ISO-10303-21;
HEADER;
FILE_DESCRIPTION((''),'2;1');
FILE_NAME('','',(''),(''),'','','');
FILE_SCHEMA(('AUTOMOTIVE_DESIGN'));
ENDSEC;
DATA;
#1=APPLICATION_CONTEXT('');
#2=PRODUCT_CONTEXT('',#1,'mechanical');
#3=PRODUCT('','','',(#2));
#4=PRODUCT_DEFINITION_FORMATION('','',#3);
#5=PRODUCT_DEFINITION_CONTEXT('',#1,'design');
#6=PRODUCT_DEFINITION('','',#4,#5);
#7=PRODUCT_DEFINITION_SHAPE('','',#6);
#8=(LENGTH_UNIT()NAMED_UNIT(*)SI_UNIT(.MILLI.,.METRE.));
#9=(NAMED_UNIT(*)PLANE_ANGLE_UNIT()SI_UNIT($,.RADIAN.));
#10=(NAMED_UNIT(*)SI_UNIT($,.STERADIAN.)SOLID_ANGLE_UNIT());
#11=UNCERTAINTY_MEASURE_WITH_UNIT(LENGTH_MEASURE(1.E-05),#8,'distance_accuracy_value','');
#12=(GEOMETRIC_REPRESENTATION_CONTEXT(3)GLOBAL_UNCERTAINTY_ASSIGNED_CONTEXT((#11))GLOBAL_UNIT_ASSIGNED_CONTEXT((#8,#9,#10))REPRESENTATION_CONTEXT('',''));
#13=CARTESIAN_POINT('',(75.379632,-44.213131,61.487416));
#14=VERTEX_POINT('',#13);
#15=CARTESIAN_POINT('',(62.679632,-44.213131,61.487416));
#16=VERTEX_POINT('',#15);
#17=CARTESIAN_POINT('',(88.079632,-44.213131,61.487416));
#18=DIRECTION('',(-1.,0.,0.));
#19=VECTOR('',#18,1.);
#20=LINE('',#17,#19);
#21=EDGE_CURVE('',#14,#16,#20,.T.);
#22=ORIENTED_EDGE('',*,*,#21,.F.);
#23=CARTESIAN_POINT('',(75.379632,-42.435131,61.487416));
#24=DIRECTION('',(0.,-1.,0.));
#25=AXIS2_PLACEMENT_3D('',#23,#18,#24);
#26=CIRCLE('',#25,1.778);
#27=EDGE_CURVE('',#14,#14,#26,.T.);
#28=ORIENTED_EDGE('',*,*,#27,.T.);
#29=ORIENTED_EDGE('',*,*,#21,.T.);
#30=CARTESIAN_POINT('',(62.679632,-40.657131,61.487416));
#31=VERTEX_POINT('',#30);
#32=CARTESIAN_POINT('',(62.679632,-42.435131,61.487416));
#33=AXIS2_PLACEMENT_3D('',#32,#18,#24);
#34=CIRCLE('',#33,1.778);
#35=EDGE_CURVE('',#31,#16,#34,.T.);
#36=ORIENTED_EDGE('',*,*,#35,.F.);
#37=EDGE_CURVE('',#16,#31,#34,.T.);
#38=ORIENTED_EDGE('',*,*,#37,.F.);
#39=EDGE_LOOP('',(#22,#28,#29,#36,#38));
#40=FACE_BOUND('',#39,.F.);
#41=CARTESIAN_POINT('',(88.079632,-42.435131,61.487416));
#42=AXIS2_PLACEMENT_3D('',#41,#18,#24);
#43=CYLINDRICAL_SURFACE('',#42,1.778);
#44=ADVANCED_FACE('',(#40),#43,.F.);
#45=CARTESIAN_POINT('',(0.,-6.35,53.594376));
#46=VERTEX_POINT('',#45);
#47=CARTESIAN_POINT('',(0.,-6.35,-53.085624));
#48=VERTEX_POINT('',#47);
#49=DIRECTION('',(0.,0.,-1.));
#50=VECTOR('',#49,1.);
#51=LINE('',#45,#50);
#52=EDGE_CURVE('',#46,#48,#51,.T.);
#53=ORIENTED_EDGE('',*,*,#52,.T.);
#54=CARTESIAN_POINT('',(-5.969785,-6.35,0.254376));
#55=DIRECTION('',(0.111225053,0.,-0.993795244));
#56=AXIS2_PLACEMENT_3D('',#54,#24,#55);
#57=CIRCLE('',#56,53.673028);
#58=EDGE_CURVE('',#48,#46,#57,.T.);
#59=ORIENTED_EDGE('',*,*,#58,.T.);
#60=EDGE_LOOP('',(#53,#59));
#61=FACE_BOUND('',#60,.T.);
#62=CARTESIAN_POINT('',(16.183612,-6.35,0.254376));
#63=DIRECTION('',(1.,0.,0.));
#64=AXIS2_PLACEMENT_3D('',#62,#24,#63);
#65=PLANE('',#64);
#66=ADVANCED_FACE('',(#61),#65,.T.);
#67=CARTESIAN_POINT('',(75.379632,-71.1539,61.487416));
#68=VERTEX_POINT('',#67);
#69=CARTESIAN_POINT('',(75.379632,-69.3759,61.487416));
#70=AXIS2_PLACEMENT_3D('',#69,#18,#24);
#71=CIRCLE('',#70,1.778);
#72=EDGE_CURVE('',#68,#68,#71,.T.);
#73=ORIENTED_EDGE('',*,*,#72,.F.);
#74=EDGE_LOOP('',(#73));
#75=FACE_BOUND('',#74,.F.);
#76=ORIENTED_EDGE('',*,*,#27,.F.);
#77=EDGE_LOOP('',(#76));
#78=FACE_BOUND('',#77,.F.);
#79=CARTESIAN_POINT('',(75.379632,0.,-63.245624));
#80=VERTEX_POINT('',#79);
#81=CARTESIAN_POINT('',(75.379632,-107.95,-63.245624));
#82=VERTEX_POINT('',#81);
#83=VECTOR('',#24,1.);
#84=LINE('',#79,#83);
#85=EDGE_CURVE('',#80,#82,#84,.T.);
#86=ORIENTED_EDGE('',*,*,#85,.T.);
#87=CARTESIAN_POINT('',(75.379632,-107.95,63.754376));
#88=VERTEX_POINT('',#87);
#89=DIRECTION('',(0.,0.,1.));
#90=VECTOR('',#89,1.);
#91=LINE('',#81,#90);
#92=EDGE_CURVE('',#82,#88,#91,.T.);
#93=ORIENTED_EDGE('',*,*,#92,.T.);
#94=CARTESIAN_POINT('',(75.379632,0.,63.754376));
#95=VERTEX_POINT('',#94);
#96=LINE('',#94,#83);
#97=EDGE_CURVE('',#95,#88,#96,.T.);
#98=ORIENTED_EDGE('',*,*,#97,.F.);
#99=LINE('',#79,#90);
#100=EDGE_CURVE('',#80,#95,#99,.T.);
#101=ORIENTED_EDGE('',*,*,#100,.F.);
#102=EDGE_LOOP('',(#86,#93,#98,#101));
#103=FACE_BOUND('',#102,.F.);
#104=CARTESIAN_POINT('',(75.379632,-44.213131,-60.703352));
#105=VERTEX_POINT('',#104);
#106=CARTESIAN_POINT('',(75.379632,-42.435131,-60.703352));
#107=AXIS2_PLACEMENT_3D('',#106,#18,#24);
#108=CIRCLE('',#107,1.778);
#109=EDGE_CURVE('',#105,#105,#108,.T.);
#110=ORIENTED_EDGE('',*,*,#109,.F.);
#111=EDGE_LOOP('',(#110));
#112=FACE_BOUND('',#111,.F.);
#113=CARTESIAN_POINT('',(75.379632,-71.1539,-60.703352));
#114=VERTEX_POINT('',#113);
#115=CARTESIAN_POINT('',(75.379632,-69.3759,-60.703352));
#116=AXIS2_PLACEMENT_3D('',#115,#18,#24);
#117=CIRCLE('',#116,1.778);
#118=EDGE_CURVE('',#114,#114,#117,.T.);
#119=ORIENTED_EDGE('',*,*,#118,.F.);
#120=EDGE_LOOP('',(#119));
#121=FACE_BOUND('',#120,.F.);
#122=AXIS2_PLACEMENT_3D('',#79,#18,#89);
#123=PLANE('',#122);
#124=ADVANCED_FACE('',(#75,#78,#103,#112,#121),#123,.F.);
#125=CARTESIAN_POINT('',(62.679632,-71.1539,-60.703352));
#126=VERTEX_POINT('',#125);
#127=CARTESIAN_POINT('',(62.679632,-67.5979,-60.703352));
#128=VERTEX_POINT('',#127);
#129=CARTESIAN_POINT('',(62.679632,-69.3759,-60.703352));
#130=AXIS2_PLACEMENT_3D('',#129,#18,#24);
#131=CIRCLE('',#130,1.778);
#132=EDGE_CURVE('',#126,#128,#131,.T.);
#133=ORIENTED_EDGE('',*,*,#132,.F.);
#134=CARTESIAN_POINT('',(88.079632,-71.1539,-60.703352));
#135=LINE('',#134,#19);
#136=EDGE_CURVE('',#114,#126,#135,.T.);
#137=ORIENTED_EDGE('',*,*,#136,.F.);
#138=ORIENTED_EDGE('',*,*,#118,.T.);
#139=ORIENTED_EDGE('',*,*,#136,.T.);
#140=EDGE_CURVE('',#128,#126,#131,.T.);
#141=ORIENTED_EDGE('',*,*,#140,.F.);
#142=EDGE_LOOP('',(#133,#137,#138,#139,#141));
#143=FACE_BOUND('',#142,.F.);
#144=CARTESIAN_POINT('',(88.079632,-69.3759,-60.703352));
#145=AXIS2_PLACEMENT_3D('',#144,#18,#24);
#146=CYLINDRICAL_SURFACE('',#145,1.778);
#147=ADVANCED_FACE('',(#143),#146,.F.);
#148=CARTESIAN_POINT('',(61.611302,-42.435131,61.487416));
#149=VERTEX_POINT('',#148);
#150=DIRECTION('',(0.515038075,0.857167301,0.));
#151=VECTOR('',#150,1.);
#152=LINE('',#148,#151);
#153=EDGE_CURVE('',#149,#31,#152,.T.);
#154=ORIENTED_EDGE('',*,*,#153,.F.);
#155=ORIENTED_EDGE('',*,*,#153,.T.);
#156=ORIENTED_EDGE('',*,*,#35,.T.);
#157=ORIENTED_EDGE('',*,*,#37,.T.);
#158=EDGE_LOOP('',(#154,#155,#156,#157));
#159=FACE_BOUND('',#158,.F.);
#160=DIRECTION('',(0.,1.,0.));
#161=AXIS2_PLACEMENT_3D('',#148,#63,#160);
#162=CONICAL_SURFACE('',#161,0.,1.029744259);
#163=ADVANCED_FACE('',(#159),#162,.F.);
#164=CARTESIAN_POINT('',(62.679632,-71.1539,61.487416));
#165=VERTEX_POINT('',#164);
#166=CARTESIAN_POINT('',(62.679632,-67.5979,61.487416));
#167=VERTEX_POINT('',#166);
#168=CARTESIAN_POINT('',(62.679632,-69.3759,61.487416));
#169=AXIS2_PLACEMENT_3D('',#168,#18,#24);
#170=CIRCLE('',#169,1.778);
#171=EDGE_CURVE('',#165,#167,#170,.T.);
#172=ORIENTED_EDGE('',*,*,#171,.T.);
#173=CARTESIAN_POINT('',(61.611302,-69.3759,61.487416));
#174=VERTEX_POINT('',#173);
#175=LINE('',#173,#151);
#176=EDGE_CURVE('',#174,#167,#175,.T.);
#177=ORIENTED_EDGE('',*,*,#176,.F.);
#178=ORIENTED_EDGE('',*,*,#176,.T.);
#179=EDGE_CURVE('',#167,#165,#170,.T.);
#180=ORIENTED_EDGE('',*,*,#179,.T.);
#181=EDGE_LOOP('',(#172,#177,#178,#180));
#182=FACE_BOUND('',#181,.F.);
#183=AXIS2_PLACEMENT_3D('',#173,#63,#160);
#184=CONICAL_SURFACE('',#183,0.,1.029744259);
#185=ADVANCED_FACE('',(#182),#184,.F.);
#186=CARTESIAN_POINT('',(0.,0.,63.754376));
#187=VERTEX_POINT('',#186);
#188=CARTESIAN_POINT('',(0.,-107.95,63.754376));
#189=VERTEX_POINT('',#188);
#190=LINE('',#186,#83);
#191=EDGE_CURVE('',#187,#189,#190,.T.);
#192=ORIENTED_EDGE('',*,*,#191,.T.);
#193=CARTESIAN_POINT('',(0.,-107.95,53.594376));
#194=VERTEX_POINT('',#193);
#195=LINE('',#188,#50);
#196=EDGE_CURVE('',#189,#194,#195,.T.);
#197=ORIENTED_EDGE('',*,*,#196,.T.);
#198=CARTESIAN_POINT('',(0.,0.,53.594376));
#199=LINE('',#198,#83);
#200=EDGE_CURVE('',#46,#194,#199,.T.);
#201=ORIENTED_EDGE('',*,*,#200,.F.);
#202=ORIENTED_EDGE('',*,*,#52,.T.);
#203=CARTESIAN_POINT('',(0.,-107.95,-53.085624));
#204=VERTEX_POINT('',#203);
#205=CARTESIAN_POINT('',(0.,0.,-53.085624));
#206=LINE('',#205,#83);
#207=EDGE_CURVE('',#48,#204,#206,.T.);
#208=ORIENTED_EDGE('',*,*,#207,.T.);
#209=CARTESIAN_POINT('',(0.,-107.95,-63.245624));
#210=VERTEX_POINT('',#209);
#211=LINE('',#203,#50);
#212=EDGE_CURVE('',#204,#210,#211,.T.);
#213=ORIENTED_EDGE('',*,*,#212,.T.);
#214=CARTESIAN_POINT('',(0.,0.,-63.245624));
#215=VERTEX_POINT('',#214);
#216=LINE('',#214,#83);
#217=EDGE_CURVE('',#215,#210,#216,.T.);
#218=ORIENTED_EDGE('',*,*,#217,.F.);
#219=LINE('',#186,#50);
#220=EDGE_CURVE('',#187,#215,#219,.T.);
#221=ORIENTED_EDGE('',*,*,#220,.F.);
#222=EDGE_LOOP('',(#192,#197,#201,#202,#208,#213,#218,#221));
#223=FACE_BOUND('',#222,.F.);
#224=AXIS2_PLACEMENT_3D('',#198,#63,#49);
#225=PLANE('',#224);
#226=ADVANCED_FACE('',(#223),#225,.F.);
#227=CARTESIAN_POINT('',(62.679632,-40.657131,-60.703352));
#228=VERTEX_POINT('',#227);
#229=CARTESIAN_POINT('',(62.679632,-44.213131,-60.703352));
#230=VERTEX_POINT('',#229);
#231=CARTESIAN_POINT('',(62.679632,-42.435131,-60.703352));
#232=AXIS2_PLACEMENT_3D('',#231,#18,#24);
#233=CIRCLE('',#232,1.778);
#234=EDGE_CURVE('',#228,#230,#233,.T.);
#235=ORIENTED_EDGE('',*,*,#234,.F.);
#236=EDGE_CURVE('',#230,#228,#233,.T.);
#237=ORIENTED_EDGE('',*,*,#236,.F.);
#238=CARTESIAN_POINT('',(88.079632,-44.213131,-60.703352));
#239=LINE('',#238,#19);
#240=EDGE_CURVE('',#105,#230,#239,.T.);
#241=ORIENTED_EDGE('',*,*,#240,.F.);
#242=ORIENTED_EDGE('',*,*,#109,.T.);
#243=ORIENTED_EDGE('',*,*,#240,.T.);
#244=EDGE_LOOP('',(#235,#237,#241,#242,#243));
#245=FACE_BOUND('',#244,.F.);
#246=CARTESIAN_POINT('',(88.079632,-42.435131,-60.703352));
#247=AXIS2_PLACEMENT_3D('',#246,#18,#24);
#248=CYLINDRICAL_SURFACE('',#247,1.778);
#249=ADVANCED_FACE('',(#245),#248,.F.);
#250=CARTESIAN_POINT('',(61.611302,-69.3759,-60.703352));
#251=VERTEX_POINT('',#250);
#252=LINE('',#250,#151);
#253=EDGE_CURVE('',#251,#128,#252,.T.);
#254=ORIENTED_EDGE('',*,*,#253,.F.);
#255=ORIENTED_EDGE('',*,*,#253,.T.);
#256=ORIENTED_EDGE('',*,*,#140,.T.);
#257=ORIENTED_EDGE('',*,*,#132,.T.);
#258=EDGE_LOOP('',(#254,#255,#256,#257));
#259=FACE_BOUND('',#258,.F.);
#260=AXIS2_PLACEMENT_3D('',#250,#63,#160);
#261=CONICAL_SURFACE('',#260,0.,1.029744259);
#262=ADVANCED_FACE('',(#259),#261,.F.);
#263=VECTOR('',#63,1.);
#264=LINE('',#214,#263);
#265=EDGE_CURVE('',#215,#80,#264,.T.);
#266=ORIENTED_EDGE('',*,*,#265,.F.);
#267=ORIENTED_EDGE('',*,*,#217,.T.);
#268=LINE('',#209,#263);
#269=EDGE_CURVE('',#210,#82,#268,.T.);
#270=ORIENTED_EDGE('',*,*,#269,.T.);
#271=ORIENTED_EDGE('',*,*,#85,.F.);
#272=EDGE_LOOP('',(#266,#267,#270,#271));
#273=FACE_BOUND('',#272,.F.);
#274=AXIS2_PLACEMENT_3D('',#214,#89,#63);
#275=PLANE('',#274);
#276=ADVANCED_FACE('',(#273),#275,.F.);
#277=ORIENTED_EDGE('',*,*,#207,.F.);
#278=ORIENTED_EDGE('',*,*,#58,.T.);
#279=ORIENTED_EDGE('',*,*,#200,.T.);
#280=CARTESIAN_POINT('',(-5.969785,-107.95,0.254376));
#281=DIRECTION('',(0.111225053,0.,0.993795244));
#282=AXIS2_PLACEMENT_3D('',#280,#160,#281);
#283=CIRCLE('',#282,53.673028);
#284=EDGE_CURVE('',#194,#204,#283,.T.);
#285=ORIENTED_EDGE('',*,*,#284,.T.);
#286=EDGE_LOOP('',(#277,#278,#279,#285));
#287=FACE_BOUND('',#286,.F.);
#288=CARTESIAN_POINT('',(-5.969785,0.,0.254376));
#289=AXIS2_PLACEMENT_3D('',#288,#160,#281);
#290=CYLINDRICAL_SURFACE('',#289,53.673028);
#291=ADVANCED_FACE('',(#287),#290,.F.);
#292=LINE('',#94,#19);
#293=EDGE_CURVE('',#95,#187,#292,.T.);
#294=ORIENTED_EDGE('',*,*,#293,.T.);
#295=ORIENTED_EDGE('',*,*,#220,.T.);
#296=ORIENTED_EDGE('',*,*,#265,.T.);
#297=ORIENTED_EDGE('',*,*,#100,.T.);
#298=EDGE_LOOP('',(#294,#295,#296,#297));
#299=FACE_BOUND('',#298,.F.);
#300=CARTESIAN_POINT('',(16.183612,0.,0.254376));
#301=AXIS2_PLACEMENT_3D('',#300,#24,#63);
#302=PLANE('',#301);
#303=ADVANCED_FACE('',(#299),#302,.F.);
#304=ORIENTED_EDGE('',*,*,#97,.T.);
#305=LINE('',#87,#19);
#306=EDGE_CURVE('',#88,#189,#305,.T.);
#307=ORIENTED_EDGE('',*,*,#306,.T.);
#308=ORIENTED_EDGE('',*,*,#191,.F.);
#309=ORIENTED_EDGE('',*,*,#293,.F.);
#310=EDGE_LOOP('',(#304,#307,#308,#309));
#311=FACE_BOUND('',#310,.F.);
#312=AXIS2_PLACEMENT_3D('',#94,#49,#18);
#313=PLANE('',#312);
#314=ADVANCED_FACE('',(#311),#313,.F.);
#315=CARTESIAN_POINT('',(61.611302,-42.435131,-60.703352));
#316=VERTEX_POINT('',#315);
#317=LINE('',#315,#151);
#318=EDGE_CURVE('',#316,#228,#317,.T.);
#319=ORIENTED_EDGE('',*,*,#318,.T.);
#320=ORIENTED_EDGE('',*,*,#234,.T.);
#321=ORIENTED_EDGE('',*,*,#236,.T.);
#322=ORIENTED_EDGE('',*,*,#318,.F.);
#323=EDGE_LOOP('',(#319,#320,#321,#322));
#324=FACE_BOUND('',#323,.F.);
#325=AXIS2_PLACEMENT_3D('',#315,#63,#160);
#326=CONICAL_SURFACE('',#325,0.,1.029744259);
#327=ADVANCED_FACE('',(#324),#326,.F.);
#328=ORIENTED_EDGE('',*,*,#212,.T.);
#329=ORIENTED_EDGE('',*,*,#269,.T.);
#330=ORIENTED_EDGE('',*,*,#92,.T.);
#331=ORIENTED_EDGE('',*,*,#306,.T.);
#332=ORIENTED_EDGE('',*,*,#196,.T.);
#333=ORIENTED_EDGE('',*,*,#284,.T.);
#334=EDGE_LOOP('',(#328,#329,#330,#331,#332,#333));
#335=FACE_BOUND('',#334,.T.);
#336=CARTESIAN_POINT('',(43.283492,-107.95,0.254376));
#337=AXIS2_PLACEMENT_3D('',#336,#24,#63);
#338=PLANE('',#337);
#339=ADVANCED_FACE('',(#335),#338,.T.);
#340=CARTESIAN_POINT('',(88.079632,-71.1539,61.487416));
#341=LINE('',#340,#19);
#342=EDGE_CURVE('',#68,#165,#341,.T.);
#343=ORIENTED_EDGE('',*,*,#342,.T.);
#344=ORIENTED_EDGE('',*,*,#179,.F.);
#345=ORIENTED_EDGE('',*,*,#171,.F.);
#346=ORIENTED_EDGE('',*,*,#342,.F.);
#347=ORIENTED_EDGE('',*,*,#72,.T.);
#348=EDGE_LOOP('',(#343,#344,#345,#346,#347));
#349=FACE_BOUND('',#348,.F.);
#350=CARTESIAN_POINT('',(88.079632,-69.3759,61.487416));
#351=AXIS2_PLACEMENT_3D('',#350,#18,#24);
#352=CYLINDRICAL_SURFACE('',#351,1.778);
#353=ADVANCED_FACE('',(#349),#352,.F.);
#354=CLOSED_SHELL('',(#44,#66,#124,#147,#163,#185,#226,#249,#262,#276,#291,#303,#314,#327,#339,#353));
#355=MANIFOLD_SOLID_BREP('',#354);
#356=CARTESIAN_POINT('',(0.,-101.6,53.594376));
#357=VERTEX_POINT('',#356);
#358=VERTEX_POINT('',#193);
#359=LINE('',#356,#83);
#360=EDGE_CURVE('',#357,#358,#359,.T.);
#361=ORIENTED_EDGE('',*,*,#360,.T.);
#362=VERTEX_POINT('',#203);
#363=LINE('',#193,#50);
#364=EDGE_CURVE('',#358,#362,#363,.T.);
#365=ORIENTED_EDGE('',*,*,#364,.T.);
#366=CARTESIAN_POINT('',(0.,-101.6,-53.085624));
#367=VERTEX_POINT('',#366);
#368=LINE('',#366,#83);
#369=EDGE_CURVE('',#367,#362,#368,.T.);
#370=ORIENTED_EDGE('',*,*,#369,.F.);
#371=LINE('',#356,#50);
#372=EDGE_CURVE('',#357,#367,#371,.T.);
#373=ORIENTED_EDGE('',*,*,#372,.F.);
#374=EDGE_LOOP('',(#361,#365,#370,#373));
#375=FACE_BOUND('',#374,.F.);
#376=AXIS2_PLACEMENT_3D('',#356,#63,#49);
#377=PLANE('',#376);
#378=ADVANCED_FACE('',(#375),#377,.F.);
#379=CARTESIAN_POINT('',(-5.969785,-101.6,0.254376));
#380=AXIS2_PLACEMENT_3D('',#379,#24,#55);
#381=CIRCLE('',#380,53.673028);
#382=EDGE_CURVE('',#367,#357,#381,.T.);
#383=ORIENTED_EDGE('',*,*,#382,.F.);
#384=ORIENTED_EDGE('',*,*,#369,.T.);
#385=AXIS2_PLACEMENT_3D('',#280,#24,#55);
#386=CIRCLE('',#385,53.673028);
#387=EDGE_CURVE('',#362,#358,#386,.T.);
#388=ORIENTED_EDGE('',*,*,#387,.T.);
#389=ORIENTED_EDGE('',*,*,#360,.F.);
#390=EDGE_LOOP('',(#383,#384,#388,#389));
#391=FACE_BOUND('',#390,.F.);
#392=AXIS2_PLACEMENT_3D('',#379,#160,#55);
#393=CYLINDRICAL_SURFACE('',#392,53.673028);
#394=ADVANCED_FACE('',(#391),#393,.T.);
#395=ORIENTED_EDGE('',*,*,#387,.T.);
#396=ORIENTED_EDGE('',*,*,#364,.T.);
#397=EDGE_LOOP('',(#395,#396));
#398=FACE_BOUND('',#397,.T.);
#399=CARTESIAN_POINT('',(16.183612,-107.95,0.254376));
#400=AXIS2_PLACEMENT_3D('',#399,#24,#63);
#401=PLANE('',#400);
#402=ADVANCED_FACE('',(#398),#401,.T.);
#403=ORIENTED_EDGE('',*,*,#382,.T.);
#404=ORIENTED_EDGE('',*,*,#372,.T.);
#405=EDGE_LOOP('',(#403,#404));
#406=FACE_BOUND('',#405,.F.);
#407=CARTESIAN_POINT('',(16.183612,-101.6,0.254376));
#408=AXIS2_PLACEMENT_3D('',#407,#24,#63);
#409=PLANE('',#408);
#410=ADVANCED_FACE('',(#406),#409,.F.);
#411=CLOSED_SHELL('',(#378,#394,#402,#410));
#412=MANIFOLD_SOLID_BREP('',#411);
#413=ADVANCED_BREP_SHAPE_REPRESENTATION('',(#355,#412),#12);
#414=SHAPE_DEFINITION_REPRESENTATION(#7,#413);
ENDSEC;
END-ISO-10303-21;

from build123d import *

# Parameters (mm, degrees)
F1_DEPTH = 107.95
F2_DEPTH = 6.35
F3_START = 101.6
F3_DEPTH = 6.35
F5_D     = 3.556
F5_DEPTH = 12.7
F5_TIP   = 1.0683301806


with BuildPart() as f1:
    # F0 (on Front) → F1 (new body)
    with BuildSketch(Plane.XZ):
        with BuildLine():
            ThreePointArc((0, 53.5943763483), (47.7032426175, 0.2543763483), (0, -53.0856236517))
            Line((0, -53.0856236517), (0, -63.2456236517))
            Line((0, -63.2456236517), (75.3796324134, -63.2456236517))
            Line((75.3796324134, -63.2456236517), (75.3796324134, 63.7543763483))
            Line((75.3796324134, 63.7543763483), (0, 63.7543763483))
            Line((0, 63.7543763483), (0, 53.5943763483))
        make_face()
    extrude(amount=F1_DEPTH)

    # F0 (on Front) → F2 (join)
    with BuildSketch(Plane.XZ):
        with BuildLine():
            Line((0, 53.5943763483), (0, -53.0856236517))
            ThreePointArc((0, -53.0856236517), (47.7032426175, 0.2543763483), (0, 53.5943763483))
        make_face()
    extrude(amount=F2_DEPTH)

    # F5
    with Locations(Plane.YZ.offset(75.3796324134)):
        with Locations((-69.3758997451, 61.4874158989), (-42.4351313819, 61.4874158989), (-69.3758997451, -60.7033524643), (-42.4351313819, -60.7033524643)):
            Hole(F5_D / 2, depth=F5_DEPTH)
            with Locations((0, 0, -(F5_DEPTH + F5_TIP / 2))):  # 118° drill point
                Cone(0, F5_D / 2, F5_TIP, mode=Mode.SUBTRACT)


with BuildPart() as f3:
    # F0 (on Front) → F3 (new body)
    with BuildSketch(Plane.XZ.offset(F3_START)):
        with BuildLine():
            Line((0, 53.5943763483), (0, -53.0856236517))
            ThreePointArc((0, -53.0856236517), (47.7032426175, 0.2543763483), (0, 53.5943763483))
        make_face()
    extrude(amount=F3_DEPTH)


solid = Compound([f1.part, f3.part])
